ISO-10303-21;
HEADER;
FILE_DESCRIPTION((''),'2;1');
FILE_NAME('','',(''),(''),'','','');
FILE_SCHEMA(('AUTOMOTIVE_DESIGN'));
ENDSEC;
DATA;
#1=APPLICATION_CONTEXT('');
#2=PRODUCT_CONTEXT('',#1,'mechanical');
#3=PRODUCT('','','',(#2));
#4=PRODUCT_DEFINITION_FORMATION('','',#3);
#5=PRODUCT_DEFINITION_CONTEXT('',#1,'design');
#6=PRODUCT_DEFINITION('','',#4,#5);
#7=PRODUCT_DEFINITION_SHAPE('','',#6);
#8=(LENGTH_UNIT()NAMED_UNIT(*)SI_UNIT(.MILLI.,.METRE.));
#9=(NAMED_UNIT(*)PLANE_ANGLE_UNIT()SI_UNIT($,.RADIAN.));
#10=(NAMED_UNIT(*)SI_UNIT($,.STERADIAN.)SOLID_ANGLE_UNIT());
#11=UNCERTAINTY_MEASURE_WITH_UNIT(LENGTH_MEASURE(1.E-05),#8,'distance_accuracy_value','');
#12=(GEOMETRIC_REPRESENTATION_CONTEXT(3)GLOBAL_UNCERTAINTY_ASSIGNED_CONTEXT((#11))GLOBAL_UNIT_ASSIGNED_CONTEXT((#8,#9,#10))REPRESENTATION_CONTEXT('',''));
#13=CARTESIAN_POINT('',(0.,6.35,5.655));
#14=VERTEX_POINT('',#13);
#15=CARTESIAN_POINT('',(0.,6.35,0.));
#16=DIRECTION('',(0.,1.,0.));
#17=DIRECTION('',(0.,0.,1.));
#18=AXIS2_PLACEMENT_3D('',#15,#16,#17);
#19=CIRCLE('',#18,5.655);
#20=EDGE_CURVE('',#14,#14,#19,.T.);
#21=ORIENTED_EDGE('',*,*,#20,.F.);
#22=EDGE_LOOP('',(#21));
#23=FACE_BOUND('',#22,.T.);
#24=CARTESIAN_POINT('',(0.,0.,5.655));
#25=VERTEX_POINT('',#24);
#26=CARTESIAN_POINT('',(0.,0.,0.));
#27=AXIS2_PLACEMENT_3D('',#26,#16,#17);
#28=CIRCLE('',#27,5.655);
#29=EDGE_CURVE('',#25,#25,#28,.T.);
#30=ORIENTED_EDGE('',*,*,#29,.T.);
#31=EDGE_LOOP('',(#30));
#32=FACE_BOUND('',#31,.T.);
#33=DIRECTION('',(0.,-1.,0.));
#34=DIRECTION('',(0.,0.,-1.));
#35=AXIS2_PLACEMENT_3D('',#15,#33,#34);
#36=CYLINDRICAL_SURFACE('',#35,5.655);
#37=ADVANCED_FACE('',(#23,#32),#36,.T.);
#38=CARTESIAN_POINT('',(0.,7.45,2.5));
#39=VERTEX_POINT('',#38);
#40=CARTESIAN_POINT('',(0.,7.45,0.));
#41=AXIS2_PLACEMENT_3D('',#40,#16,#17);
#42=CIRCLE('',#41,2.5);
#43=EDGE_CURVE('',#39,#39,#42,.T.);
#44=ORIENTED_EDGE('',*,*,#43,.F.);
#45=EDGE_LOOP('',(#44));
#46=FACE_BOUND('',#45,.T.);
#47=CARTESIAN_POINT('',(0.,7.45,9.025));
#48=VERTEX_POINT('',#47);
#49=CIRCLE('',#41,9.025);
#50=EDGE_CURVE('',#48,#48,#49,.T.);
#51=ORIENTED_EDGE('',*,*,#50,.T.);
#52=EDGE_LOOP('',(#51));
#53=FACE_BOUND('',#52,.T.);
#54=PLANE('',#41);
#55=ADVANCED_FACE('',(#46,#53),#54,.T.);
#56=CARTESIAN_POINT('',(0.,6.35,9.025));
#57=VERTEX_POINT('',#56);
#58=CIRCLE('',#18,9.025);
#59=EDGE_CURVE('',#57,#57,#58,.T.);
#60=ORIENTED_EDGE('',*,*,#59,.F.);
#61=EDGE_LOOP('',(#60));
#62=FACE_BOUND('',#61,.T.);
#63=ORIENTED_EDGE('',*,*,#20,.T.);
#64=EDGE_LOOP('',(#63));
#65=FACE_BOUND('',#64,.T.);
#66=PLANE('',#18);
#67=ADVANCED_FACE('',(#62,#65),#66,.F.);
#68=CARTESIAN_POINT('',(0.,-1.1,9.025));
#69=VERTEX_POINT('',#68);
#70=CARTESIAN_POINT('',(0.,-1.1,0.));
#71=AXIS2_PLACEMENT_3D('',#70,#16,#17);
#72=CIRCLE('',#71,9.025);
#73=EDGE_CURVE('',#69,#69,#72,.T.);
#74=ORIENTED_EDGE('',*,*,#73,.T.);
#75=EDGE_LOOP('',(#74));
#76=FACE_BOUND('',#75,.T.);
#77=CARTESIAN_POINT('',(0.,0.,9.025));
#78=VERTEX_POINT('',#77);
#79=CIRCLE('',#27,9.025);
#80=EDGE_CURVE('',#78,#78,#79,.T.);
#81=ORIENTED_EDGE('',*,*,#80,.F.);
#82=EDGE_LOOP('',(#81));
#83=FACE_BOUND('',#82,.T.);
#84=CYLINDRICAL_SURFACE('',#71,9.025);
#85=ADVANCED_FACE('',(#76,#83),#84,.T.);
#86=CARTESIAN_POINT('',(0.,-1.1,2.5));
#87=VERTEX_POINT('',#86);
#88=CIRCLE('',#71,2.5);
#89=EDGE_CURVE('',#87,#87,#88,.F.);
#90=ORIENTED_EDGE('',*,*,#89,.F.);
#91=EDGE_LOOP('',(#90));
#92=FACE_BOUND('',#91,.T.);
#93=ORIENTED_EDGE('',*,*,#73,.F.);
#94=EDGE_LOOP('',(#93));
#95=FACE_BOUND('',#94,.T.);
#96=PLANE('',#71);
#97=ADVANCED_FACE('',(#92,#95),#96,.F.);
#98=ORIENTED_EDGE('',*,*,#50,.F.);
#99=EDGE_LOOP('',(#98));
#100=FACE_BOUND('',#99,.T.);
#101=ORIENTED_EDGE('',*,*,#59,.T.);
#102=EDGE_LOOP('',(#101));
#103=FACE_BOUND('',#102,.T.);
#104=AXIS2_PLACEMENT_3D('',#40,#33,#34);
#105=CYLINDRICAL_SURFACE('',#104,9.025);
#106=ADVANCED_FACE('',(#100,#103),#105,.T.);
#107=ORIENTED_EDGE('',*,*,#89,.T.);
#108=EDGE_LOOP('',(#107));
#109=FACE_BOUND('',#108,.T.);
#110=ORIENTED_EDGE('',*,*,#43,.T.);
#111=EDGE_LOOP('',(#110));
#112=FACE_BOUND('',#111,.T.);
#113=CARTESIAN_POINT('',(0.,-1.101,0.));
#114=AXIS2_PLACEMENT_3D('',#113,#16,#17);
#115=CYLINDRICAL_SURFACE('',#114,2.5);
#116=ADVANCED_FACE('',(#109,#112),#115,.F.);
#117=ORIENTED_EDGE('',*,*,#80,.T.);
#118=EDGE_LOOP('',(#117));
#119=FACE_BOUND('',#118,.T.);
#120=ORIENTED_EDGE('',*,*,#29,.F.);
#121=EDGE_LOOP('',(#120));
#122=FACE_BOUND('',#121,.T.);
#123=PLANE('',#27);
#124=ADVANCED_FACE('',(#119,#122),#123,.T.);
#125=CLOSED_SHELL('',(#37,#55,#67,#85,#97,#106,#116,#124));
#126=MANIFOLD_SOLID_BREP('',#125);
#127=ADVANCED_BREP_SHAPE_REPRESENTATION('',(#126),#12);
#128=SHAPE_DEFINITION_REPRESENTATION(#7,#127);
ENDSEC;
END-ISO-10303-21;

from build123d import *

# Parameters (mm, degrees)
SKETCH1_R           = 5.655
BOSS_EXTRUDE1_DEPTH = 6.35
SKETCH1_3_R         = 9.025
BOSS_EXTRUDE2_DEPTH = 1.1
BOSS_EXTRUDE3_START = 7.45
SKETCH1_4_R         = 9.025
BOSS_EXTRUDE3_DEPTH = 1.1
CUT_EXTRUDE1_REACH  = 17.362
SKETCH2_R           = 2.5


with BuildPart() as part:
    # Sketch1 → Boss-Extrude1 (new body)
    with BuildSketch(Plane(origin=(0, 0, 0), x_dir=(1, 0, 0), z_dir=(0, 1, 0))):
        Circle(SKETCH1_R)
    extrude(amount=BOSS_EXTRUDE1_DEPTH)

    # Sketch1<3> → Boss-Extrude2 (add)
    with BuildSketch(Plane(origin=(0, 0, 0), x_dir=(1, 0, 0), z_dir=(0, 1, 0))):
        Circle(SKETCH1_3_R)
    extrude(amount=-BOSS_EXTRUDE2_DEPTH)

    # Sketch1<4> → Boss-Extrude3 (add)
    with BuildSketch(Plane(origin=(0, 0, 0), x_dir=(1, 0, 0), z_dir=(0, 1, 0)).offset(BOSS_EXTRUDE3_START)):
        Circle(SKETCH1_4_R)
    extrude(amount=-BOSS_EXTRUDE3_DEPTH)

    # Sketch2 → Cut-Extrude1 (cut, up to next)
    with BuildSketch(Plane(origin=(0, 7.45, 0), x_dir=(1, 0, 0), z_dir=(0, 1, 0)), mode=Mode.PRIVATE) as cut_extrude1_sk1:
        Circle(SKETCH2_R)
    cut_extrude1_tool1 = extrude(cut_extrude1_sk1.sketch, amount=-CUT_EXTRUDE1_REACH, mode=Mode.PRIVATE) & part.part
    add(cut_extrude1_tool1.solids().sort_by_distance((0, 7.45, 0))[0], mode=Mode.SUBTRACT)


solid = part.part
